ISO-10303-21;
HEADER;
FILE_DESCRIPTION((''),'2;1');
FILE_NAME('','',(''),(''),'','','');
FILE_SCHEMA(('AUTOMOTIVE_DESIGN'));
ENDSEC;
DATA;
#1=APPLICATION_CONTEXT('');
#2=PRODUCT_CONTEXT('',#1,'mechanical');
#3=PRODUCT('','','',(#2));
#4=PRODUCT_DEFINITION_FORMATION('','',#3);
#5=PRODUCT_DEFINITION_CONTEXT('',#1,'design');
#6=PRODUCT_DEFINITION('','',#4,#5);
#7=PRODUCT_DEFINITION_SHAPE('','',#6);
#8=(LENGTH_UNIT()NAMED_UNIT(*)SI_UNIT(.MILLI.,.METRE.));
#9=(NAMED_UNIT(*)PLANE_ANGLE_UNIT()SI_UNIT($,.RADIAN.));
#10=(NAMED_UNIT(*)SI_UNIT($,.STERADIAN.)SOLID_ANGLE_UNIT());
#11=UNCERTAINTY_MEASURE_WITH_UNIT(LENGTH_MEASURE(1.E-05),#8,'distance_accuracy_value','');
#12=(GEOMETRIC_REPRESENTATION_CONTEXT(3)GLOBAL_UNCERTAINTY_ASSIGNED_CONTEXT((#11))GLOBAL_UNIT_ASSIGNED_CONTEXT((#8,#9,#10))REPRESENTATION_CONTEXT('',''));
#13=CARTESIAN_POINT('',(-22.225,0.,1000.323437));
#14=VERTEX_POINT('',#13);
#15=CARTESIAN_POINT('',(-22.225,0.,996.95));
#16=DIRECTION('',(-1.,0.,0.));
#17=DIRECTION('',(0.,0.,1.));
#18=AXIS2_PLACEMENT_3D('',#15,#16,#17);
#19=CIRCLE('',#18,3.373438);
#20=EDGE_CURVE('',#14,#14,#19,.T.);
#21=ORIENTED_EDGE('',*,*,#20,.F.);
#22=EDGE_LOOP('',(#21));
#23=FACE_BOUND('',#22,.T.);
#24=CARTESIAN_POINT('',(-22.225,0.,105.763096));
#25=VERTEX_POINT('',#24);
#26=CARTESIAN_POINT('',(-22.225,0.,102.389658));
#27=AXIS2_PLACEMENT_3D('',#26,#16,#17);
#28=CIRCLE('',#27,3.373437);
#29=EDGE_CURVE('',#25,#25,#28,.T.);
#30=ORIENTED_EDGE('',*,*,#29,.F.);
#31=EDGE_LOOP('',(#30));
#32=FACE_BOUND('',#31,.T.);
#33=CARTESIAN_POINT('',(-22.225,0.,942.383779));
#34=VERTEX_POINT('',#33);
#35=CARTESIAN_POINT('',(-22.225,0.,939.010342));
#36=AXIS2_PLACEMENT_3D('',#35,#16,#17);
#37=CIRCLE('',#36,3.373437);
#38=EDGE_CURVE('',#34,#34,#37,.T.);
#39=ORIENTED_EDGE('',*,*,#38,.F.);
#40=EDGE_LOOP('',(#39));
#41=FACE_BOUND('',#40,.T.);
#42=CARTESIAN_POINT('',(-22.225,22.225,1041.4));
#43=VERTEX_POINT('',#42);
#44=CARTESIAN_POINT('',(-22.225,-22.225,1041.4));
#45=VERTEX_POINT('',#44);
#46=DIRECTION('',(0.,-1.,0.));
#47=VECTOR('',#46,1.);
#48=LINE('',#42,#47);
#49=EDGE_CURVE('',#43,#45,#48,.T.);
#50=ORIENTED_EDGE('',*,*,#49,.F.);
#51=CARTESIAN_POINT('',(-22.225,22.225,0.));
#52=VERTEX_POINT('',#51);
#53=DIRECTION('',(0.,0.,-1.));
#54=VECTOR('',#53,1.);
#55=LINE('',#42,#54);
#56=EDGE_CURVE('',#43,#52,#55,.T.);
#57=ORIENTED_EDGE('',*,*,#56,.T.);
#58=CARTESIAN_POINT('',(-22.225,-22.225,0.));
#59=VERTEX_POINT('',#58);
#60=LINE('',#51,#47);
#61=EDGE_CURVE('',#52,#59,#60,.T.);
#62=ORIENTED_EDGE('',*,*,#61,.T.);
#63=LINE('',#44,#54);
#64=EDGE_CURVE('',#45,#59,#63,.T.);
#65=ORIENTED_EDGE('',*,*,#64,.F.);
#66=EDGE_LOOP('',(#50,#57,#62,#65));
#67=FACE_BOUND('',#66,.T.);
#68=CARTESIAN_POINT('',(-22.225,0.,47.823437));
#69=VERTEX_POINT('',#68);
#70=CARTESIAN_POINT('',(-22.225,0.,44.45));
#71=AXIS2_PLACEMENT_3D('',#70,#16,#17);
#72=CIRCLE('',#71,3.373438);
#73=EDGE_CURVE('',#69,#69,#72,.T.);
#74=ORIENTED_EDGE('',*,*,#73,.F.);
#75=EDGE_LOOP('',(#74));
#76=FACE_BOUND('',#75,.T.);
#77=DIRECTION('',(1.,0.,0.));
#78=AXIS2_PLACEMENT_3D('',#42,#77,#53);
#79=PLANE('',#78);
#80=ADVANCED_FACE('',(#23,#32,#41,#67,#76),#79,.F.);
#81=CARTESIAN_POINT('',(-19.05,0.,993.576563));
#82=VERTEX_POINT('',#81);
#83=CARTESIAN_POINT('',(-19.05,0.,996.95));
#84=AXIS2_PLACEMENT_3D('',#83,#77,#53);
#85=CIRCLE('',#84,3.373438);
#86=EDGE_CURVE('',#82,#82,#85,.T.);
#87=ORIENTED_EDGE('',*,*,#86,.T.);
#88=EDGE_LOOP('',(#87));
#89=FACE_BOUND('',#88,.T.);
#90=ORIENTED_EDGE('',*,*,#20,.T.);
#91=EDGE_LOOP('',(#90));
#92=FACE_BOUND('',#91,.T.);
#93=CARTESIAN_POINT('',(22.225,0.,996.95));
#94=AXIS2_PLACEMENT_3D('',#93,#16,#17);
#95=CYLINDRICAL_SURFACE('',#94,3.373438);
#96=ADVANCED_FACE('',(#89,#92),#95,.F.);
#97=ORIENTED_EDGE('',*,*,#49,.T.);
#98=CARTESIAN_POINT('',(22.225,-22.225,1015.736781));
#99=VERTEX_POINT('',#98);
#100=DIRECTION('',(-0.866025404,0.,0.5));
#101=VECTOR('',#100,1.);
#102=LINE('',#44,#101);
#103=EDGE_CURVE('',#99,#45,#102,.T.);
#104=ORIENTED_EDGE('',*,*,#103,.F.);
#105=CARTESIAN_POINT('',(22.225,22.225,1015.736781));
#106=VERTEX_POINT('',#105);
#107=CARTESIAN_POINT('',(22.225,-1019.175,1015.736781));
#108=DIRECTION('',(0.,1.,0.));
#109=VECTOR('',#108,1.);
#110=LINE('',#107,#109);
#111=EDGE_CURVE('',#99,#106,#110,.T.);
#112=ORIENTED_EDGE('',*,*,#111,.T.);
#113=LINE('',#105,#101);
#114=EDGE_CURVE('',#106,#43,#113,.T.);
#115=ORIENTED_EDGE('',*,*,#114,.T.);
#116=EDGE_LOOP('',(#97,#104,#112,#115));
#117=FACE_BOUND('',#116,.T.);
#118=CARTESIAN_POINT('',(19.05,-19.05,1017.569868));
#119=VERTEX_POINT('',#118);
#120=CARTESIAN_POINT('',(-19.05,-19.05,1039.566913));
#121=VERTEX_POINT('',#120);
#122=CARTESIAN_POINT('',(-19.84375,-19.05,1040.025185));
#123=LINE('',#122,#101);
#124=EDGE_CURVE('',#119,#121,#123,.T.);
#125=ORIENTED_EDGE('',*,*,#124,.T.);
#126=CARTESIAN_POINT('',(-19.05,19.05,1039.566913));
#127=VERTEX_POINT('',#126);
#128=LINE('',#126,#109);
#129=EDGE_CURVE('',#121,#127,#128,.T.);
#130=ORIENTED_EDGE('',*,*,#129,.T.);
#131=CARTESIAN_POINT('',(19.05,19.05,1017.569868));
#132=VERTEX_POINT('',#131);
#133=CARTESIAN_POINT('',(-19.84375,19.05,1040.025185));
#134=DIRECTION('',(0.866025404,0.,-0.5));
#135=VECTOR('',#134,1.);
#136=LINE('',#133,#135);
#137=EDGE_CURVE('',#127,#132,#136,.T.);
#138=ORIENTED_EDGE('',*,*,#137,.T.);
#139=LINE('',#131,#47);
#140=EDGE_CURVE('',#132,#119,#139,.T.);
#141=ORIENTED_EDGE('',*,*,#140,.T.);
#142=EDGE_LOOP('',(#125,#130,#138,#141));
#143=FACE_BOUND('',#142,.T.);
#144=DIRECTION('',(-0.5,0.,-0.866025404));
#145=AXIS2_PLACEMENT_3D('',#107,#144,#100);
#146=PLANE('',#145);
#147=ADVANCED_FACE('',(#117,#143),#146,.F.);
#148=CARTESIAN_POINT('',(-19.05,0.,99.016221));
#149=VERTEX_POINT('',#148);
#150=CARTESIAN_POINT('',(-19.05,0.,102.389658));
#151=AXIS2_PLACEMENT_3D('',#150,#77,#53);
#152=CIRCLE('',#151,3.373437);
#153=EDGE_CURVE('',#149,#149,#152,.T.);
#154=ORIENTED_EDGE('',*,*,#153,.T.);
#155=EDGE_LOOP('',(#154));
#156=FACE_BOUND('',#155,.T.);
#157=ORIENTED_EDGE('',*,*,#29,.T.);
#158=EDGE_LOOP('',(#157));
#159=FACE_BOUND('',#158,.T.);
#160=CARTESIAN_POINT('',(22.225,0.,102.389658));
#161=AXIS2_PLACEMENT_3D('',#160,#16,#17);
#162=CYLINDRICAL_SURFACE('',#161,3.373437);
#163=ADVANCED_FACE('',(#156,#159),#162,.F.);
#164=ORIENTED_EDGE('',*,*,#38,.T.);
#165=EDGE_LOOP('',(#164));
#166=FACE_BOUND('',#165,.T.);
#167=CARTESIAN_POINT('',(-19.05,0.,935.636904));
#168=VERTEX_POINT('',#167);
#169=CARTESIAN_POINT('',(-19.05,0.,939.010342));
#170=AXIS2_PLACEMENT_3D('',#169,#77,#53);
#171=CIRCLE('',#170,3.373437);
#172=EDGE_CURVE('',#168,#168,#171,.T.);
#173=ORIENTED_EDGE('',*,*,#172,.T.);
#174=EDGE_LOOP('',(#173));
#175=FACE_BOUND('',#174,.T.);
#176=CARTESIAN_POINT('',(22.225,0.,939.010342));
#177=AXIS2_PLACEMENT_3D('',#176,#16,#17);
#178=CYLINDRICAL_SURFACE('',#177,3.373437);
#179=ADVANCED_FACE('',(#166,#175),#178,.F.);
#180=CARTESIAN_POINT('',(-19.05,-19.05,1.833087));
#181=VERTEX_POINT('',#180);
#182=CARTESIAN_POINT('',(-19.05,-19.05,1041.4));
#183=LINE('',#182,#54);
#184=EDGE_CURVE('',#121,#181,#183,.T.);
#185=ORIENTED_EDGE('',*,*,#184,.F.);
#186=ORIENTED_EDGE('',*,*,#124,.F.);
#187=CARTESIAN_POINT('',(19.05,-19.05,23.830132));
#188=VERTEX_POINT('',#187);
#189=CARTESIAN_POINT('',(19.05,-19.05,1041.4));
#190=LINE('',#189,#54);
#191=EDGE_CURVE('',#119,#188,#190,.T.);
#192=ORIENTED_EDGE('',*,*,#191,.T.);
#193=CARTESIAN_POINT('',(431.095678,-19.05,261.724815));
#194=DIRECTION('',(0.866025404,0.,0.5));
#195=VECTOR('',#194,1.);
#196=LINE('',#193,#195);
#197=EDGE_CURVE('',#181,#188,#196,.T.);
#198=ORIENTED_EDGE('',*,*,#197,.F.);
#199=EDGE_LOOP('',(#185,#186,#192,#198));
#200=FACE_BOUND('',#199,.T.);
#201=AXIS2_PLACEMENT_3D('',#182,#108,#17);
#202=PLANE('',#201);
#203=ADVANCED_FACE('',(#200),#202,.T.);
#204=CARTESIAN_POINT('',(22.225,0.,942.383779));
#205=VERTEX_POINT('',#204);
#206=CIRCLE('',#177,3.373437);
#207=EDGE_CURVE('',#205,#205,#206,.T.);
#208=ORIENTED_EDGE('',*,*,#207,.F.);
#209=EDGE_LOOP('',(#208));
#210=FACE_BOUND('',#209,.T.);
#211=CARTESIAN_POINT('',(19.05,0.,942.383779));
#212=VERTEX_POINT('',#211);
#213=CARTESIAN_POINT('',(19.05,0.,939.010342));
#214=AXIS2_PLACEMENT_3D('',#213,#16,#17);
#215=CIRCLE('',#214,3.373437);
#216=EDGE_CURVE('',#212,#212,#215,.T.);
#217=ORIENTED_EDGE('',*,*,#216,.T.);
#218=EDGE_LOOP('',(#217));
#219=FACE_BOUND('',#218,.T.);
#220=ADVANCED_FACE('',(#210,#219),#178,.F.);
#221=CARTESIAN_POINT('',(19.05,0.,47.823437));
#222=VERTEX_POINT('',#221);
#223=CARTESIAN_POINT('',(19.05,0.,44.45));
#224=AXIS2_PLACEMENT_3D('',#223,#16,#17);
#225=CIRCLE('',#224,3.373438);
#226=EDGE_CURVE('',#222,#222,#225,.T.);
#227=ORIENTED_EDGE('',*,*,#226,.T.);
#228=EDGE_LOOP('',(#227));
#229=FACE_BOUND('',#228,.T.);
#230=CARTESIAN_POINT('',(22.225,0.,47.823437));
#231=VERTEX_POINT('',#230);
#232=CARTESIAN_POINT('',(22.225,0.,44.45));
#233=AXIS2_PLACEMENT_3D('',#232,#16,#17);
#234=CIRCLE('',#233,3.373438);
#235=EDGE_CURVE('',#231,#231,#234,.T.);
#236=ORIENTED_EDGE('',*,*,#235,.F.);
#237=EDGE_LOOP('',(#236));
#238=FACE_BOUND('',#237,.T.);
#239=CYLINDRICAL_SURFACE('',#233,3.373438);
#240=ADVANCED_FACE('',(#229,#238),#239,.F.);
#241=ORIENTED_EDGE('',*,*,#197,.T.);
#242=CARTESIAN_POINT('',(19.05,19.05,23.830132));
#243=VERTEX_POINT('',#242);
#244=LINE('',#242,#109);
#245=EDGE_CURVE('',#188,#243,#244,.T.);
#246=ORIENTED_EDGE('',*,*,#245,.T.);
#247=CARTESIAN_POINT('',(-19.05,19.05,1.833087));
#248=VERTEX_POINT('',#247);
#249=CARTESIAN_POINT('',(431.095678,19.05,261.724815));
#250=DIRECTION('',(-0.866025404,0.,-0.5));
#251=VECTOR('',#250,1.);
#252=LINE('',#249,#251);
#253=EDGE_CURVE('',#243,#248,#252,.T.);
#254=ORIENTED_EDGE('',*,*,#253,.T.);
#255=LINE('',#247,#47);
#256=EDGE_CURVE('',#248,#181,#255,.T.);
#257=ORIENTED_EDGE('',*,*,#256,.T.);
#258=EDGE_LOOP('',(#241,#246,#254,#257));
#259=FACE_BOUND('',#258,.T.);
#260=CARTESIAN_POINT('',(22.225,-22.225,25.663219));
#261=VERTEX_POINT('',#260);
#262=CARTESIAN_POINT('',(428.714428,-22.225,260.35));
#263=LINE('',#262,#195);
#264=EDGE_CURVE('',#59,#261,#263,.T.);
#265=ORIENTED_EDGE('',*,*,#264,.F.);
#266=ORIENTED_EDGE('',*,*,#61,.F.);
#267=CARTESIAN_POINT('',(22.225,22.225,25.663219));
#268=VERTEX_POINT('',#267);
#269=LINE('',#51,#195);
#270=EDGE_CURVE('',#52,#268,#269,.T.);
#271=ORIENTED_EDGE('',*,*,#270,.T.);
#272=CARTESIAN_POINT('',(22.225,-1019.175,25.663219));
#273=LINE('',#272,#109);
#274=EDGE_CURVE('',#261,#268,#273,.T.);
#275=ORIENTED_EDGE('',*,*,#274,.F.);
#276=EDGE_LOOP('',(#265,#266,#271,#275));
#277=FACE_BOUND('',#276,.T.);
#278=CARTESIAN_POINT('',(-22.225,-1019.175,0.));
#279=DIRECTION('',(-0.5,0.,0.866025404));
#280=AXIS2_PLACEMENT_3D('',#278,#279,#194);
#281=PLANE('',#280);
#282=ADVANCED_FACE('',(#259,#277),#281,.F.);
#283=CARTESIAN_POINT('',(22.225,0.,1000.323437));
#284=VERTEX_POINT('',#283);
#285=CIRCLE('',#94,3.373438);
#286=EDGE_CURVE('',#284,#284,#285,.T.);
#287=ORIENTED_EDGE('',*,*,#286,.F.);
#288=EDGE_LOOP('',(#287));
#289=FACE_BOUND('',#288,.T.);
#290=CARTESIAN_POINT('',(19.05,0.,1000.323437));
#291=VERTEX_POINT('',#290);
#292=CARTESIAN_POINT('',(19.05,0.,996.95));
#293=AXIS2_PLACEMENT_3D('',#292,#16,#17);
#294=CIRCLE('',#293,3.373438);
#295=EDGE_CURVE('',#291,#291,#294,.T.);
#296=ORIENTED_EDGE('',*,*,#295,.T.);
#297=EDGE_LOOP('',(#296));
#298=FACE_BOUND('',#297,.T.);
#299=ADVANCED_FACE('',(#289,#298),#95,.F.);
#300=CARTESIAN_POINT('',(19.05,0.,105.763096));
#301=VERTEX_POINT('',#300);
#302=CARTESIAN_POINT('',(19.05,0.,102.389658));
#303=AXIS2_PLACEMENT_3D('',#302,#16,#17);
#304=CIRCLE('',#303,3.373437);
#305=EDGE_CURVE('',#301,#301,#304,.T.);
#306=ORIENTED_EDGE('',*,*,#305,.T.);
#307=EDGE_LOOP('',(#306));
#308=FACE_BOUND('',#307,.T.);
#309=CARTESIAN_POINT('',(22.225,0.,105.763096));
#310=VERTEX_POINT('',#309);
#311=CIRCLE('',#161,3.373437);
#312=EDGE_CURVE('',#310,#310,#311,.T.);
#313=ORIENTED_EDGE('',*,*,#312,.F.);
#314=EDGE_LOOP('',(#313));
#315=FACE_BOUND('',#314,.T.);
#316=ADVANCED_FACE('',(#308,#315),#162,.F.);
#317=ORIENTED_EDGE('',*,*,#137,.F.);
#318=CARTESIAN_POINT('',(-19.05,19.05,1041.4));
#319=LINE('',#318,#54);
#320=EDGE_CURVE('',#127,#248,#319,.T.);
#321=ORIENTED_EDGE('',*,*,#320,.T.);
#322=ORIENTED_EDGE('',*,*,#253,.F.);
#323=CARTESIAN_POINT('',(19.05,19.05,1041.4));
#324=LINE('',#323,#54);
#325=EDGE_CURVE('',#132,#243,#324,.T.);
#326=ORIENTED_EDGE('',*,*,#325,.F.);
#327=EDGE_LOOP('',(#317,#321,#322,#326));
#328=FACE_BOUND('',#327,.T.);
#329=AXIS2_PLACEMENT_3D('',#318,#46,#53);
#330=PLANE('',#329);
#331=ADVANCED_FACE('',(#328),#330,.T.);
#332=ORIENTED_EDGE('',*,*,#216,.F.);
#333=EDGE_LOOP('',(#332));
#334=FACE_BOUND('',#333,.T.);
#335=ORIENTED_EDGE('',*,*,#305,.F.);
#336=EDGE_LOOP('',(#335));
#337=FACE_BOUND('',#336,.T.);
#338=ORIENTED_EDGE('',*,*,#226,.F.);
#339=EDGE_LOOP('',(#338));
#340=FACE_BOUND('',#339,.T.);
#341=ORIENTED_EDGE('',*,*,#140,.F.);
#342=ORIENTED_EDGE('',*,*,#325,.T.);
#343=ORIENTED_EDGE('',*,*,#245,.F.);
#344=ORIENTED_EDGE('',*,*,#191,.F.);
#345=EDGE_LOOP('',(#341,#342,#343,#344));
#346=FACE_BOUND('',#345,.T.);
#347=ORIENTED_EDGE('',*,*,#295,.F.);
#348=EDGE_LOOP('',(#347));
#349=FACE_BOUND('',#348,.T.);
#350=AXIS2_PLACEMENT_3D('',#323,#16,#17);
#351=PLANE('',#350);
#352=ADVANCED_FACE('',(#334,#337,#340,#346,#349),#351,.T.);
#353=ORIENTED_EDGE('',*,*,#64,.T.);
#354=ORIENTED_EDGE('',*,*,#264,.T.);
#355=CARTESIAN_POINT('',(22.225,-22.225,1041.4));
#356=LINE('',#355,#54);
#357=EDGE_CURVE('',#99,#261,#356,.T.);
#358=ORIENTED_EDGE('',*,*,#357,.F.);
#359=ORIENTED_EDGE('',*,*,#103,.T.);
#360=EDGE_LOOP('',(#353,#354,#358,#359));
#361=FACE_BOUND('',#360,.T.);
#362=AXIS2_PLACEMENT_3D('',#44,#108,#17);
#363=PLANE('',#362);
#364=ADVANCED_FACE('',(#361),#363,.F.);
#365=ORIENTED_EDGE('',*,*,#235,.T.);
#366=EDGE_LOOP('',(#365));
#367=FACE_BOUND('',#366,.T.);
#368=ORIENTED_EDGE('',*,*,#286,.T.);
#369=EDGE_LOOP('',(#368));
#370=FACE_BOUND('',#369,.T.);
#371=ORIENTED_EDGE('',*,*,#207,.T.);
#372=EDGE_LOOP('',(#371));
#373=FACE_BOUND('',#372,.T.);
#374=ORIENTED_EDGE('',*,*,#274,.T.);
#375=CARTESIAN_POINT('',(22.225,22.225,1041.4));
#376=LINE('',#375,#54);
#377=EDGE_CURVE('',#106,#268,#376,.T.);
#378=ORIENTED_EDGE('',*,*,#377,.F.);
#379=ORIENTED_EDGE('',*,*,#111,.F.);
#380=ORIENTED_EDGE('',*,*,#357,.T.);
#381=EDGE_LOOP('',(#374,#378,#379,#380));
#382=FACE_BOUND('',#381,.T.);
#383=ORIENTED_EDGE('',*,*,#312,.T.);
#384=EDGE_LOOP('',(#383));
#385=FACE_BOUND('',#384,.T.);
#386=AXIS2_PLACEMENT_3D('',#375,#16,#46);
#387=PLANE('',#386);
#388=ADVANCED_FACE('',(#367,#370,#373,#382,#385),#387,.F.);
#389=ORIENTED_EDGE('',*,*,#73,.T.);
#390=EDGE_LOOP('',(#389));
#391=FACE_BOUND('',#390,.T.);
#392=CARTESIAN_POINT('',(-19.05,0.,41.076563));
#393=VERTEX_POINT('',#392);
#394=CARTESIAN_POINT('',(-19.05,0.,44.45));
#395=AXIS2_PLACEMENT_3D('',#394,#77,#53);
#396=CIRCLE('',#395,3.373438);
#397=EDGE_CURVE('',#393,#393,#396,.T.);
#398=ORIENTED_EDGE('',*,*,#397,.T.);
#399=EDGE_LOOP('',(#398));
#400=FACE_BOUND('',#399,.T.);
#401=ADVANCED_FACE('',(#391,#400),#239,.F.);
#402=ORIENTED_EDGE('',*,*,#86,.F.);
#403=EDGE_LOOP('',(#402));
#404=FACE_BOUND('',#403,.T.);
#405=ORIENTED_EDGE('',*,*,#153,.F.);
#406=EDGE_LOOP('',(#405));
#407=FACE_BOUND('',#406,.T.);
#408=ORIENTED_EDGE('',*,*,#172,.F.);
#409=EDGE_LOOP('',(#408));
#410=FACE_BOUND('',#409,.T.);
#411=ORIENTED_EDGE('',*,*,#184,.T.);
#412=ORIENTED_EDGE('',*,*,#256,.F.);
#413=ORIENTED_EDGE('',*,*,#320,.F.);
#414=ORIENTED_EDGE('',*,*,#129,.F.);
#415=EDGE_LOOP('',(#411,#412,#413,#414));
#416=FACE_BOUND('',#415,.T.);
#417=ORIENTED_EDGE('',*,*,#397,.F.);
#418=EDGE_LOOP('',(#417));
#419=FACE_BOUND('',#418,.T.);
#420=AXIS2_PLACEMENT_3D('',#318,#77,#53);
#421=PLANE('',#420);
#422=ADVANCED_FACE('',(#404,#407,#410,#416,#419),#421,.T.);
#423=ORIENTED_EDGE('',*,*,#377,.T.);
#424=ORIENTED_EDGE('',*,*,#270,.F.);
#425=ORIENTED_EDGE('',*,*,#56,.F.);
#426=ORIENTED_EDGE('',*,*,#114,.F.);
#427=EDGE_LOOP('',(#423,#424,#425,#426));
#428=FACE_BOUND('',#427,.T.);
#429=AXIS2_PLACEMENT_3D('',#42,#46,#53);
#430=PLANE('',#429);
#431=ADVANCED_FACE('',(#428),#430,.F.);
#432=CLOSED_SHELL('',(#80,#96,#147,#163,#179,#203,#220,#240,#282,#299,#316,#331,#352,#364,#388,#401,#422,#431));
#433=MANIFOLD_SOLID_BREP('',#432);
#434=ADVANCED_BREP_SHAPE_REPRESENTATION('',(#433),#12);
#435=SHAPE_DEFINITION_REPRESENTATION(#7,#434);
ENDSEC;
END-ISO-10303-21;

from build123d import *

# Parameters (mm, degrees)
SKETCH1_W           = 44.45
SKETCH1_H           = 44.45
SKETCH1_W_2         = 38.1
SKETCH1_H_2         = 38.1
BOSS_EXTRUDE1_DEPTH = 1041.4
CUT_EXTRUDE2_DEPTH  = 1041.4
SKETCH9_R           = 3.3734375
CUT_EXTRUDE3_DEPTH  = 1043.585110734


with BuildPart() as part:
    # Sketch1 → Boss-Extrude1 (new body)
    with BuildSketch(Plane.XY):
        Rectangle(SKETCH1_W, SKETCH1_H)
        Rectangle(SKETCH1_W_2, SKETCH1_H_2, mode=Mode.SUBTRACT)
    extrude(amount=BOSS_EXTRUDE1_DEPTH)

    # Sketch2 → Cut-Extrude2 (cut)
    with BuildSketch(Plane(origin=(0, 22.225, 0), x_dir=(1, 0, 0), z_dir=(0, 1, 0))):
        Polygon((-22.225, -1041.4), (22.225, -1041.4), (22.225, -1015.736780535), align=None)
        Polygon((-22.225, 0), (22.225, -25.663219465), (22.225, 0), align=None)
    extrude(amount=-CUT_EXTRUDE2_DEPTH, mode=Mode.SUBTRACT)

    # Sketch9 → Cut-Extrude3 (cut, through all)
    with BuildSketch(Plane.ZY.offset(22.225)):
        with Locations((996.95, 0)):
            Circle(SKETCH9_R)
        with Locations((44.45, 0)):
            Circle(SKETCH9_R)
        with Locations((102.389658314, 0)):
            Circle(SKETCH9_R)
        with Locations((939.010341686, 0)):
            Circle(SKETCH9_R)
    extrude(amount=-CUT_EXTRUDE3_DEPTH, mode=Mode.SUBTRACT)


solid = part.part
